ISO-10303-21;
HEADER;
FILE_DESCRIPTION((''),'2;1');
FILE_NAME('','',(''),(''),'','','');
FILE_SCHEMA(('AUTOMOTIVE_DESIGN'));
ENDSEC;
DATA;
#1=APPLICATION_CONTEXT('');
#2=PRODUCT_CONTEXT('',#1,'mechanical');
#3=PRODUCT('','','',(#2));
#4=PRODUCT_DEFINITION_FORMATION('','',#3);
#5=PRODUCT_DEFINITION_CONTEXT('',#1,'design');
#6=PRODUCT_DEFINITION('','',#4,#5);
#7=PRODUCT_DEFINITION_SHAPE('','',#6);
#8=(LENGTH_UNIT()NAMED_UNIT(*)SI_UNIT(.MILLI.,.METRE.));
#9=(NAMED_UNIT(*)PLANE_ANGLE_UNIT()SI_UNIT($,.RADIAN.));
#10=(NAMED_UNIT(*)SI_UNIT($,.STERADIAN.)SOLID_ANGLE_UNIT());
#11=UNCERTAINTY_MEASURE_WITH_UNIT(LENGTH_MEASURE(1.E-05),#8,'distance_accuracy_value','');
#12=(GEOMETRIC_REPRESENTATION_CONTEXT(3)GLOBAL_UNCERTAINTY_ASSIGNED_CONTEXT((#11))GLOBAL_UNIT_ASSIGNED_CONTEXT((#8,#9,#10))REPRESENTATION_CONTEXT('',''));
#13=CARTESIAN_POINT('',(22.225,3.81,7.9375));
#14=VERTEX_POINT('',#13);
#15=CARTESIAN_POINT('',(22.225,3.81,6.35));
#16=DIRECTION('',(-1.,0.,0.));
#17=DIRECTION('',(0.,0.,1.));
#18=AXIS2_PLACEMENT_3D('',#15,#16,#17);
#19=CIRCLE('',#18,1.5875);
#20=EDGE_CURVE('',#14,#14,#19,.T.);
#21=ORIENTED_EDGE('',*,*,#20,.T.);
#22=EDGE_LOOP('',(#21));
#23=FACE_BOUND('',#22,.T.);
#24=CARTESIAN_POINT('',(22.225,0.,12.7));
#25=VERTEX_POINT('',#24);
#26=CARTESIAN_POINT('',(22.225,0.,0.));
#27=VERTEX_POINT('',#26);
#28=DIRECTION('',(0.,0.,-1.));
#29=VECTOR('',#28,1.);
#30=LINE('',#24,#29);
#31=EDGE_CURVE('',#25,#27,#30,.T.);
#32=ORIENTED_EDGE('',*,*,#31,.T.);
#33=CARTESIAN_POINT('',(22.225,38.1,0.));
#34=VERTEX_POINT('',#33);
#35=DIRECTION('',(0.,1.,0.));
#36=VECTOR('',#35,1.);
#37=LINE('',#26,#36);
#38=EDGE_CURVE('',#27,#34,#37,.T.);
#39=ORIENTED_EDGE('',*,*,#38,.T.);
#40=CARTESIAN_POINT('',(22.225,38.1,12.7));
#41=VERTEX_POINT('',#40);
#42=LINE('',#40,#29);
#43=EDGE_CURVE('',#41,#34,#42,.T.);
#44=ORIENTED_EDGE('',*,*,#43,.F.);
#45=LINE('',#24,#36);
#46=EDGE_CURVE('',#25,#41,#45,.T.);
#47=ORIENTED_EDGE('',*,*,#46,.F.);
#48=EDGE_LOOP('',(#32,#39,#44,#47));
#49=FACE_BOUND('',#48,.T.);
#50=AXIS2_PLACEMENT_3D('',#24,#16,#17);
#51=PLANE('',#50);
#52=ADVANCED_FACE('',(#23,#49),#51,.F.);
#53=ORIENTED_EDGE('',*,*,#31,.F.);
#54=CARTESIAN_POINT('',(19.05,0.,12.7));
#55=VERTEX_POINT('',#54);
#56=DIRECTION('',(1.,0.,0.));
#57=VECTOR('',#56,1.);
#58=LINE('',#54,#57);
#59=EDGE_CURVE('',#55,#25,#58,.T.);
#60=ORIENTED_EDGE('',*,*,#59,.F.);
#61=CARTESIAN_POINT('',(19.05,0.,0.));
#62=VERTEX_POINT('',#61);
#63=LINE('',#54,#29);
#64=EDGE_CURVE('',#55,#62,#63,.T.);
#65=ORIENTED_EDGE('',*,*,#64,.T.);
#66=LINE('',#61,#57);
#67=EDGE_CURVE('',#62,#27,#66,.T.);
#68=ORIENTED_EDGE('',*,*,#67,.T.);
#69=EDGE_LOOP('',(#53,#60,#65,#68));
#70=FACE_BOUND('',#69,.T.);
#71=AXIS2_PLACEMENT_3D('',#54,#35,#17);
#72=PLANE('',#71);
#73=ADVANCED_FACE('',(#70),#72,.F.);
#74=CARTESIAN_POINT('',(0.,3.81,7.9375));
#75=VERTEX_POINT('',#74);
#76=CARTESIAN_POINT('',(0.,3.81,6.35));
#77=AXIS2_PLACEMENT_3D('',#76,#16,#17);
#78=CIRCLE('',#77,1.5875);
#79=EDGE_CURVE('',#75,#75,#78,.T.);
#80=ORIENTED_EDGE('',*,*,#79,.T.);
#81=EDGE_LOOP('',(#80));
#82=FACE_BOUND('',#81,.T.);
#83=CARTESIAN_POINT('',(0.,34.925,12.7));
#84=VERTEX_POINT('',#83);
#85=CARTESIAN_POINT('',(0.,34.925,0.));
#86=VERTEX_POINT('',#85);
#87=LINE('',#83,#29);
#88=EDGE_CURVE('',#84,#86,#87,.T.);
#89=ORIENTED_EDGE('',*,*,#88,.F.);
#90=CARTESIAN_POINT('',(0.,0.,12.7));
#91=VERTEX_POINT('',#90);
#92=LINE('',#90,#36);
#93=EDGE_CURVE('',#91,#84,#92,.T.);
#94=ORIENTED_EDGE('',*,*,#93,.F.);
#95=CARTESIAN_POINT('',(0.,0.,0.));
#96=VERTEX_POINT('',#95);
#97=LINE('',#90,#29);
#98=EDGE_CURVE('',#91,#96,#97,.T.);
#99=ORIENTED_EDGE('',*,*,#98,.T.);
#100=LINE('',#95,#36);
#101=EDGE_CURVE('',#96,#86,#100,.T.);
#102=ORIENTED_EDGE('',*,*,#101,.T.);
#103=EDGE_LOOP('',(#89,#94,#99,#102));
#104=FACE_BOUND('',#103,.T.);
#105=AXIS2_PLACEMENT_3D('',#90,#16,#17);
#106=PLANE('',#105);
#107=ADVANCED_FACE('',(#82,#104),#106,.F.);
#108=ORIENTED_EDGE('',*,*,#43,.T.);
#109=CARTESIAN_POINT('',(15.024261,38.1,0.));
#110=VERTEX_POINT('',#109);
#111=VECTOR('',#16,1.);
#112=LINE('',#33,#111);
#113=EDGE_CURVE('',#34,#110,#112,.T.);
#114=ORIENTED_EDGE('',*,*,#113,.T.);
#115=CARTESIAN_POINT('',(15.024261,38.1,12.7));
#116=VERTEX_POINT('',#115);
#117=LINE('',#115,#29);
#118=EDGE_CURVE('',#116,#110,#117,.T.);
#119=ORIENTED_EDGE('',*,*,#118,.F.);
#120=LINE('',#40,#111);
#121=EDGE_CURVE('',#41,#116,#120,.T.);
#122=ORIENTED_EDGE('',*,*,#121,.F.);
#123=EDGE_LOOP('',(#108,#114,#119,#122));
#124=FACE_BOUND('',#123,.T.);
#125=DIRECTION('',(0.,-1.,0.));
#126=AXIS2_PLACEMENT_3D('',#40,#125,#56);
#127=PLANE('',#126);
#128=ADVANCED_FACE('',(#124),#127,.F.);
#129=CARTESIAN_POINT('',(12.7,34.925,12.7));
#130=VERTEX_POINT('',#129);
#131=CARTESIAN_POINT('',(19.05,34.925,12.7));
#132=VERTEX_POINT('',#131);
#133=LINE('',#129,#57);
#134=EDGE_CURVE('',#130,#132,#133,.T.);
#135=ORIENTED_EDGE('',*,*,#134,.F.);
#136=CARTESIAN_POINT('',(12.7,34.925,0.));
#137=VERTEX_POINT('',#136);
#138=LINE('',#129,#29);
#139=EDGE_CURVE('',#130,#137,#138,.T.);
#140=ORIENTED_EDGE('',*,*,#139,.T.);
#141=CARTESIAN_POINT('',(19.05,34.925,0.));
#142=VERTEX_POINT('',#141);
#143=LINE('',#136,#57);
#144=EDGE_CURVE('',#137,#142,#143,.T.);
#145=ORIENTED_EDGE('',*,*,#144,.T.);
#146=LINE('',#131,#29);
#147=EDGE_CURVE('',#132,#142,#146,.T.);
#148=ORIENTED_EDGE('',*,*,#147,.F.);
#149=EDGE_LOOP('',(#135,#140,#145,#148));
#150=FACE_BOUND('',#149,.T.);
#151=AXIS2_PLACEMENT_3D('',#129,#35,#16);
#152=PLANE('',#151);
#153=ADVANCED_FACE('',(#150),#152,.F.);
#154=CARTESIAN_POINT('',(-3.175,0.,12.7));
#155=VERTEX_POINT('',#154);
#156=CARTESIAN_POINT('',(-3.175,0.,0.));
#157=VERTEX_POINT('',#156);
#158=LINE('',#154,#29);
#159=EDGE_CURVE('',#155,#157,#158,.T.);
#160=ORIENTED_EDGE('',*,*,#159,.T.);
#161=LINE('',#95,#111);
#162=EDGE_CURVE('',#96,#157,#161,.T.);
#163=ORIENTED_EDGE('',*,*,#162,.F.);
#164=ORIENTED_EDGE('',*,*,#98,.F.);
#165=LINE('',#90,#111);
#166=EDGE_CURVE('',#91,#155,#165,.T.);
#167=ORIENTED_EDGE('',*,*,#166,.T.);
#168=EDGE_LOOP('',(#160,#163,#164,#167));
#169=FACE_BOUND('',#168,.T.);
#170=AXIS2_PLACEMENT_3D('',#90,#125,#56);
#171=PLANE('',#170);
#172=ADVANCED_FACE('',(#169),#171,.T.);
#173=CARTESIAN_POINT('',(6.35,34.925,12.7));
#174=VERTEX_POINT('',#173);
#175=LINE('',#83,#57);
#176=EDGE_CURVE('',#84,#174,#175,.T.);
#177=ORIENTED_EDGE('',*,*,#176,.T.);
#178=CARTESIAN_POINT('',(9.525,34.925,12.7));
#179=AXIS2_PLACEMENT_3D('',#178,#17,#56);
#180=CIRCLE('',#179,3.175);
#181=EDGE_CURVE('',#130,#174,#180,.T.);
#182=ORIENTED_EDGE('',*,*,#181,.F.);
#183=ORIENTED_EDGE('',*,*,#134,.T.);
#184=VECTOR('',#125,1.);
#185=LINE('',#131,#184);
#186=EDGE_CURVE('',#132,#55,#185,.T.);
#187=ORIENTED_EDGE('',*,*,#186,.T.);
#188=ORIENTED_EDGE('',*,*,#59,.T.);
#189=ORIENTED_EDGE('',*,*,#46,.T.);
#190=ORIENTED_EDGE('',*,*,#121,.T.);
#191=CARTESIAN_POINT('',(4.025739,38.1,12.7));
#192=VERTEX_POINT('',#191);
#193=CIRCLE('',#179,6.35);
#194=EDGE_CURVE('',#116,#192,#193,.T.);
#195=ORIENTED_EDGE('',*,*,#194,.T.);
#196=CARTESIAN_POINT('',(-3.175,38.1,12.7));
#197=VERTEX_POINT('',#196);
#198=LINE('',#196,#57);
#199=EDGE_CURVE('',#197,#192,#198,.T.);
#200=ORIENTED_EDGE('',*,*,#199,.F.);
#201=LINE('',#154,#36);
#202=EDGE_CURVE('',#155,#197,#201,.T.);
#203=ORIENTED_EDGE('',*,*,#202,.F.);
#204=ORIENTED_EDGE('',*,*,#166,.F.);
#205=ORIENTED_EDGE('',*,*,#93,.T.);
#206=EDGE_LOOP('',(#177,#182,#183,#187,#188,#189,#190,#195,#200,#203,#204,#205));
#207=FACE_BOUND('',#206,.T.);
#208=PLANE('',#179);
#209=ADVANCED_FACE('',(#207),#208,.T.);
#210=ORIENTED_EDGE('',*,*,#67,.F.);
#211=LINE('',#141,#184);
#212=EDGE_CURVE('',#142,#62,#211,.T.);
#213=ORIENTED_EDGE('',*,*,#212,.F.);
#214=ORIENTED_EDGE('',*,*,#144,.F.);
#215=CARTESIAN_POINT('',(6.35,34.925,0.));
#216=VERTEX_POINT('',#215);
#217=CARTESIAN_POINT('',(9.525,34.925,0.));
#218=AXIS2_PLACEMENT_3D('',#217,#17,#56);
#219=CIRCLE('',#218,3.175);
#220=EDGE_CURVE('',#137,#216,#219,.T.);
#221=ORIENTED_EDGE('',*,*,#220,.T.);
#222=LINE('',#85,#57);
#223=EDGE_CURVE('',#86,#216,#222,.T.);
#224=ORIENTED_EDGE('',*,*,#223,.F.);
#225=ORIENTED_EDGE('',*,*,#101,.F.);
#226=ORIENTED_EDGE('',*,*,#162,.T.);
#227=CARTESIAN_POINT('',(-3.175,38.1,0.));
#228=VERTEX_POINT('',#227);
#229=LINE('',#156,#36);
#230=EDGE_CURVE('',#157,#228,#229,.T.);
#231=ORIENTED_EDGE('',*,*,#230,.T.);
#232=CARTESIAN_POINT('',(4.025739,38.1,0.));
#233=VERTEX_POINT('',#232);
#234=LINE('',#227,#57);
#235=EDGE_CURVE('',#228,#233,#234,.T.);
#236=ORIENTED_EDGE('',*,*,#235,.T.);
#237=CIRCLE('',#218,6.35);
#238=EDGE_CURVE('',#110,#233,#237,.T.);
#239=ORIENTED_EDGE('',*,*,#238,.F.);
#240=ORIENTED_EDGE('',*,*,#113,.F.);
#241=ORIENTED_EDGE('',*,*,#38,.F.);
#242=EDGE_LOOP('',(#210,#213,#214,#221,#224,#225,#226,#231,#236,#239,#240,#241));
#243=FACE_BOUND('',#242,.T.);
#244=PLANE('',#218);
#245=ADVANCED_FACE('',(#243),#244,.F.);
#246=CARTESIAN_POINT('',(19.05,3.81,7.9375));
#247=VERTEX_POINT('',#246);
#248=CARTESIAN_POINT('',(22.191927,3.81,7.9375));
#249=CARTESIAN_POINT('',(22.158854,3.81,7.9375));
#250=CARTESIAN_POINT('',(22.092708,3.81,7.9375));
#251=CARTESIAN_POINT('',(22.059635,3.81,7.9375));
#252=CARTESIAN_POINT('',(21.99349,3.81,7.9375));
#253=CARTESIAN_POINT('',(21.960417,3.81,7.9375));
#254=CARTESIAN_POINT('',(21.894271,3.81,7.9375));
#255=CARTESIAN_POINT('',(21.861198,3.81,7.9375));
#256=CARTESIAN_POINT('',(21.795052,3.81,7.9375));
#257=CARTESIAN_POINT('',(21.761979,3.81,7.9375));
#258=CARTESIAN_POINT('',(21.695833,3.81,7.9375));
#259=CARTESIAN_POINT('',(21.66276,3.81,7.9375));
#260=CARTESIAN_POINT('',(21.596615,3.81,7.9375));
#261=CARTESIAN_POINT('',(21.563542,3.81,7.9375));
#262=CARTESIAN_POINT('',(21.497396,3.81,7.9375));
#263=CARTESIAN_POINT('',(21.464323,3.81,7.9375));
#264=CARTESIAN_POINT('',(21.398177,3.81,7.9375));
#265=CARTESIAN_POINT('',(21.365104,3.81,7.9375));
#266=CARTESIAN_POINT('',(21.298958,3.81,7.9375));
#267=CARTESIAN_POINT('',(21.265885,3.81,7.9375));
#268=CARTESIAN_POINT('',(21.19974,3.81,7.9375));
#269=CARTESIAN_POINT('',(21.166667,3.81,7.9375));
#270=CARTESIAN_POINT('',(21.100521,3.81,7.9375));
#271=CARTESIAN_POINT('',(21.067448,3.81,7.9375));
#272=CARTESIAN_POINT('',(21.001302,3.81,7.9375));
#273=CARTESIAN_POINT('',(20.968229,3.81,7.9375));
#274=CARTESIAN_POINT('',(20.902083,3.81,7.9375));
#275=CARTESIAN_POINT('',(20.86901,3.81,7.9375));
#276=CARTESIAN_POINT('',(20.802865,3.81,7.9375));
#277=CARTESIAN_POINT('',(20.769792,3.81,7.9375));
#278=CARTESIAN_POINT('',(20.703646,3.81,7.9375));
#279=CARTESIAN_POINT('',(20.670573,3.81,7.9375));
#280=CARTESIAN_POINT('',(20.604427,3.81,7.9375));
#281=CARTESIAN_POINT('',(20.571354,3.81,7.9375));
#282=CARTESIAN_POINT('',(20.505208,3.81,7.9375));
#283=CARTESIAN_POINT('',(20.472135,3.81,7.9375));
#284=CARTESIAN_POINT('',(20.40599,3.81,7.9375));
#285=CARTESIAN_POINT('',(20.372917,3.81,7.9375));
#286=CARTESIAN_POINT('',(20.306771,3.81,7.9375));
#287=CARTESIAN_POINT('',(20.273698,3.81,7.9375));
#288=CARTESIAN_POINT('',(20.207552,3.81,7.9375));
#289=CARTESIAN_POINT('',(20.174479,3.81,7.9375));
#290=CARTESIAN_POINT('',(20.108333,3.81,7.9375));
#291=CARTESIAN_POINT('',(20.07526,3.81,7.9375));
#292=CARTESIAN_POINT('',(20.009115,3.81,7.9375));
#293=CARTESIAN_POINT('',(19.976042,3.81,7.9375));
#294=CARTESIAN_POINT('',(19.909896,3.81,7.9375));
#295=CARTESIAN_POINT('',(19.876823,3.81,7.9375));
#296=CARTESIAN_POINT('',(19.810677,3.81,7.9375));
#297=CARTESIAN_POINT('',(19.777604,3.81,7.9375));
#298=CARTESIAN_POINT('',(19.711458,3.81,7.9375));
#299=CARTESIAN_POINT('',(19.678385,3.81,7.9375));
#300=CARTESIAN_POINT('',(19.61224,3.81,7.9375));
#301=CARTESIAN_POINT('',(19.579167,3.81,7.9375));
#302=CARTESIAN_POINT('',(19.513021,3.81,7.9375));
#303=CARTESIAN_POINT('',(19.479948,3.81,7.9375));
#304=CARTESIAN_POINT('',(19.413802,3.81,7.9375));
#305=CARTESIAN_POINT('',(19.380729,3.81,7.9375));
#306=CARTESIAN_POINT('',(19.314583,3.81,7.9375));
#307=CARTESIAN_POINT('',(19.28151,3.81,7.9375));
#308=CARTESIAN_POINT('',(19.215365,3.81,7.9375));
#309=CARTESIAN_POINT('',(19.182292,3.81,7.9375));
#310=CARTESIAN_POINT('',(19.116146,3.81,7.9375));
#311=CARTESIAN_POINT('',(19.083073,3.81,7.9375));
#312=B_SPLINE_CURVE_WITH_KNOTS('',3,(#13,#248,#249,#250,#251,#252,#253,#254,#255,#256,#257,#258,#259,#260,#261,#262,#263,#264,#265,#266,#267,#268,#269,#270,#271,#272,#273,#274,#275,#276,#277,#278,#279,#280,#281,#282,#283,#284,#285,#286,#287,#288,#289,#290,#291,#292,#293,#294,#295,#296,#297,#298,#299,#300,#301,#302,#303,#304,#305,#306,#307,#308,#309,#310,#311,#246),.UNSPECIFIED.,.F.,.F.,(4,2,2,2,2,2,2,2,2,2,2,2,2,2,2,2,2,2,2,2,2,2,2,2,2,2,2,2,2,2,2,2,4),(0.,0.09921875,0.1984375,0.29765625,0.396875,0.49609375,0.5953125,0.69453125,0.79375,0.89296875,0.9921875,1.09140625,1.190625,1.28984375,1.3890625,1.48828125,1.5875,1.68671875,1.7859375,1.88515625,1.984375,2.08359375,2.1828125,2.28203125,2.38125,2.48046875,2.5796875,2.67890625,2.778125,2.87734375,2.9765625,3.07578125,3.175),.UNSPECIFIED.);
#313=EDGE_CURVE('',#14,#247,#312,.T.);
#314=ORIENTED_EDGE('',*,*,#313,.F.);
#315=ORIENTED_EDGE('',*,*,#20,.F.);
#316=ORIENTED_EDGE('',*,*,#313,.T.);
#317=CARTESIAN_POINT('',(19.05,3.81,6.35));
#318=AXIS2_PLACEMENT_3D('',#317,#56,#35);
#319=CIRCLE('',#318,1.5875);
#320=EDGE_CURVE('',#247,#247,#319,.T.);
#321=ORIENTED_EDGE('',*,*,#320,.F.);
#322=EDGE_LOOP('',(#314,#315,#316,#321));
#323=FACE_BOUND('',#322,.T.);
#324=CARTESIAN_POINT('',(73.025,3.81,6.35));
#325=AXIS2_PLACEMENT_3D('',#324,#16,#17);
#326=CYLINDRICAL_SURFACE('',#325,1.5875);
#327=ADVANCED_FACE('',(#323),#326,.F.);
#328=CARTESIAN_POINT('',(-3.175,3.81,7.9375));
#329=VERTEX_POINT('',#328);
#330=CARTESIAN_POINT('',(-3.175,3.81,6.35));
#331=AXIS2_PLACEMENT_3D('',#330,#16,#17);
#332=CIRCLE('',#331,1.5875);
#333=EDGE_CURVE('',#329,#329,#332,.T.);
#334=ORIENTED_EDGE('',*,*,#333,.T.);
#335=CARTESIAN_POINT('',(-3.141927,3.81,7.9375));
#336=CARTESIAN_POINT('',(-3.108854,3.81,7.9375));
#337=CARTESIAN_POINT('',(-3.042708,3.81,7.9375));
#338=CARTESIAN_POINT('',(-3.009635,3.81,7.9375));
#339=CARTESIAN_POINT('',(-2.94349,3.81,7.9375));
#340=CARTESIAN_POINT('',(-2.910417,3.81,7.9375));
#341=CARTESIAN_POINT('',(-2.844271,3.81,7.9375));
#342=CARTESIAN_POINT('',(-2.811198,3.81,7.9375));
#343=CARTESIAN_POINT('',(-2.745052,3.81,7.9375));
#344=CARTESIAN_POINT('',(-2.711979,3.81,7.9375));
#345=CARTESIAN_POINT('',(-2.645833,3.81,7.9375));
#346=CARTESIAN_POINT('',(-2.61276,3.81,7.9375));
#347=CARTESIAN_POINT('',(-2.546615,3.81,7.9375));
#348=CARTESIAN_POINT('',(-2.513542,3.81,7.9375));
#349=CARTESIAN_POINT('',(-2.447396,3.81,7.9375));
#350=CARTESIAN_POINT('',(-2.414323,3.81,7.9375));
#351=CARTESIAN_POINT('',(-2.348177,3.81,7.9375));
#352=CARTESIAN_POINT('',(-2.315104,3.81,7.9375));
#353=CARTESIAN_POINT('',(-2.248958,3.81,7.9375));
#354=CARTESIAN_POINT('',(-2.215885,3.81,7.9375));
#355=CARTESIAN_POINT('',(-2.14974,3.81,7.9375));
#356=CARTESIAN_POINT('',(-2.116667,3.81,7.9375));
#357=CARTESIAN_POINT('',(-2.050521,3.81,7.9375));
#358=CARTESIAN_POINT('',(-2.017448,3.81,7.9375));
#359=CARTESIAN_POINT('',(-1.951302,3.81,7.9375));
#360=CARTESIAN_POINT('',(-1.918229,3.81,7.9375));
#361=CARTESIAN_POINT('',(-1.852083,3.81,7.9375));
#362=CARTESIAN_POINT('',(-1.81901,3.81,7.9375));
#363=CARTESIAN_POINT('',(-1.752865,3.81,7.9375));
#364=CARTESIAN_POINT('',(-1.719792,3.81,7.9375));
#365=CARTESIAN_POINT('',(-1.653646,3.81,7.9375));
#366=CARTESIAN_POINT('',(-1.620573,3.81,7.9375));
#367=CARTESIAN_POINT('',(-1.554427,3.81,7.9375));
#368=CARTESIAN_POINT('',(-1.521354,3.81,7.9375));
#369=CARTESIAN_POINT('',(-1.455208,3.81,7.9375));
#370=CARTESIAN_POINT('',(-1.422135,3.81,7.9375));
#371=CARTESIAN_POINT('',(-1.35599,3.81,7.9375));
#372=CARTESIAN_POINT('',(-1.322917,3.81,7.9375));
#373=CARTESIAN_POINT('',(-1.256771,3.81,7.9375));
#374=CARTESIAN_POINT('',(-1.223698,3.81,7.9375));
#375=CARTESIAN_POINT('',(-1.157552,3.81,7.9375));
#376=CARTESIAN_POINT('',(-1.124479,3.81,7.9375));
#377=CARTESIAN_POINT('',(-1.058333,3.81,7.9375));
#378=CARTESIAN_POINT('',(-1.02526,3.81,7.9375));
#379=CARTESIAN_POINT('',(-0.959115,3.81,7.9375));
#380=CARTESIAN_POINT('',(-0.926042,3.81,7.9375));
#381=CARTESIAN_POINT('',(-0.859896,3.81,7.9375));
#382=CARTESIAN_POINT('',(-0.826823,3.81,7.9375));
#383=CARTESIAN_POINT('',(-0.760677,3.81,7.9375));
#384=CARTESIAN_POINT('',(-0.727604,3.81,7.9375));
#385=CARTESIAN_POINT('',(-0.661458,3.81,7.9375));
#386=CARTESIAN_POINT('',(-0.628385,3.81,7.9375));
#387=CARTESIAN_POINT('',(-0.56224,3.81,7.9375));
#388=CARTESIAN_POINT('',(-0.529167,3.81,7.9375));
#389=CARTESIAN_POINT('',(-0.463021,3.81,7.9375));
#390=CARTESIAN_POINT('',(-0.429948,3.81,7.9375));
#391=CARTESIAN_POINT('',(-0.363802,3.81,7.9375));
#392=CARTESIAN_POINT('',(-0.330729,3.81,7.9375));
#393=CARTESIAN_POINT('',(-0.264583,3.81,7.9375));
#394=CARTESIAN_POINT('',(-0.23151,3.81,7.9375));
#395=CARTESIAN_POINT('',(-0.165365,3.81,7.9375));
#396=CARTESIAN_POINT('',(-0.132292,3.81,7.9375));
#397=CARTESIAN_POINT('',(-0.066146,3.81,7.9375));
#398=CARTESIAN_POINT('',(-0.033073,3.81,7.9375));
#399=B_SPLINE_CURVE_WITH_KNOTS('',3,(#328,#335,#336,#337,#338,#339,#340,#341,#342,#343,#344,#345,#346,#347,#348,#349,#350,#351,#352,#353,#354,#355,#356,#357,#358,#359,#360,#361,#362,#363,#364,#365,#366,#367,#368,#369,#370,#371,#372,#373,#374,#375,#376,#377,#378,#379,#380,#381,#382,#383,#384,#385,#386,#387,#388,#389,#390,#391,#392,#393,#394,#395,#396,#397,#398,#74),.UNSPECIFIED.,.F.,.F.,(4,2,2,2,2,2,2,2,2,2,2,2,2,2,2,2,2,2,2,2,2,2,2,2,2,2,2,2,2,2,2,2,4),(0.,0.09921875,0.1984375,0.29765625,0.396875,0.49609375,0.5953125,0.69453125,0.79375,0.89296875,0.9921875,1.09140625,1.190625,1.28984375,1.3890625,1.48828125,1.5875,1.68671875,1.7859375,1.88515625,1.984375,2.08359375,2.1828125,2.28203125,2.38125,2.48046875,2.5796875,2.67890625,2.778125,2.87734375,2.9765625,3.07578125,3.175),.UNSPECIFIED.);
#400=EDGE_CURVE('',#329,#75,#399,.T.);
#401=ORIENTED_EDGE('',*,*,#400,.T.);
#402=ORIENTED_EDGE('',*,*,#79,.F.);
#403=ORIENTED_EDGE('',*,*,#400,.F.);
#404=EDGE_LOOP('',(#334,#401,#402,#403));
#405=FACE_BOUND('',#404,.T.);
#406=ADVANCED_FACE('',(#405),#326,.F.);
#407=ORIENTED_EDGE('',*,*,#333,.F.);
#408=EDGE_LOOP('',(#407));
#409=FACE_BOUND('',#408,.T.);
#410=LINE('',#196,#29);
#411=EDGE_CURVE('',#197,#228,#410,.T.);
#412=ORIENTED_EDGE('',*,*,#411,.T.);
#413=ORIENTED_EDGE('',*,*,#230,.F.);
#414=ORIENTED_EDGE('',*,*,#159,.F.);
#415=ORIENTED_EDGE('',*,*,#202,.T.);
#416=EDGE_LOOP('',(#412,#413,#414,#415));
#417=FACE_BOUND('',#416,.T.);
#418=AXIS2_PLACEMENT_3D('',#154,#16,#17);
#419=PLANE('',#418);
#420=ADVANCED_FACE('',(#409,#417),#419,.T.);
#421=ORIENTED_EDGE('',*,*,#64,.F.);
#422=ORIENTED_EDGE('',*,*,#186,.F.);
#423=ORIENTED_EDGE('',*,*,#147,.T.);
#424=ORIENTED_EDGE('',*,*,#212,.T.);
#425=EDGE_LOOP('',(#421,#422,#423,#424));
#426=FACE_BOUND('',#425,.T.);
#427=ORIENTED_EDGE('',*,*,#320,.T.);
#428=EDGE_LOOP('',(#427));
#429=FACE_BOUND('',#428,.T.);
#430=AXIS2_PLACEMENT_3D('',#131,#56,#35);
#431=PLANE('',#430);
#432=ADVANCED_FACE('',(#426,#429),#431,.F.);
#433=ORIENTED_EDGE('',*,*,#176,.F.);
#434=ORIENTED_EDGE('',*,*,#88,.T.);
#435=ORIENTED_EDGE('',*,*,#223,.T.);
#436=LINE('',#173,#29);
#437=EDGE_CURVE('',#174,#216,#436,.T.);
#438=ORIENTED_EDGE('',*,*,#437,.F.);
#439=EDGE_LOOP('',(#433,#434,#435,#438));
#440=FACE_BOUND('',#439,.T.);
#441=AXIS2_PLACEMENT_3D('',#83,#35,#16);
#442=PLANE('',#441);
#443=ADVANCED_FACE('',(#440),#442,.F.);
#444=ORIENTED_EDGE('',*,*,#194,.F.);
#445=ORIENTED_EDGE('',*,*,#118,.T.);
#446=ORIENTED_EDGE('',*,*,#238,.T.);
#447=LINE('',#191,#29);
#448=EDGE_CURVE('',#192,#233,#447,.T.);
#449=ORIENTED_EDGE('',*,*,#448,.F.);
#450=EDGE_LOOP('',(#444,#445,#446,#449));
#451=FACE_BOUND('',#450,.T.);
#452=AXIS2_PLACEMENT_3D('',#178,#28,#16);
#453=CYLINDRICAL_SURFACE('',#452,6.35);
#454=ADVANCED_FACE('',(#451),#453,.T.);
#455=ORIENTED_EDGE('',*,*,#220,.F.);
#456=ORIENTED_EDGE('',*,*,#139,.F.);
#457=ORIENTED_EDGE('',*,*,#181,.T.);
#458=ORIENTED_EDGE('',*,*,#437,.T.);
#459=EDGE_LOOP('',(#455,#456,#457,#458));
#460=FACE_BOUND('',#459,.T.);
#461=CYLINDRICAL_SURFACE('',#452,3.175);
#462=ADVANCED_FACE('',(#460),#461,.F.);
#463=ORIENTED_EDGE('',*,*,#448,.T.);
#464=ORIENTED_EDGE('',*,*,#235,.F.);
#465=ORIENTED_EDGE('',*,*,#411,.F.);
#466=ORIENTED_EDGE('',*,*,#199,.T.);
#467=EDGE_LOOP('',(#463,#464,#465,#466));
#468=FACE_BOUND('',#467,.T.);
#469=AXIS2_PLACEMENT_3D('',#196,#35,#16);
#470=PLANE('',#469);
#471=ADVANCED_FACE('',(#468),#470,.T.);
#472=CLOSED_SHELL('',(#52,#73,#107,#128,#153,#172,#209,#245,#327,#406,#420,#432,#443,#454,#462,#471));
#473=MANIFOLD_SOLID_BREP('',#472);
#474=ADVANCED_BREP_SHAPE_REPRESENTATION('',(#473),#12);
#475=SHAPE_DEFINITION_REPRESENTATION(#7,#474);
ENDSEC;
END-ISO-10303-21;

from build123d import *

# Parameters (mm, degrees)
BOSS_EXTRUDE1_DEPTH = 12.7
SKETCH2_R           = 1.5875
CUT_EXTRUDE1_DEPTH  = 76.2


with BuildPart() as part:
    # Sketch1 → Boss-Extrude1 (new body)
    with BuildSketch(Plane.XY):
        with BuildLine():
            Line((0, 0), (0, 34.925))
            Line((0, 34.925), (6.35, 34.925))
            ThreePointArc((6.35, 34.925), (9.525, 38.1), (12.7, 34.925))
            Line((12.7, 34.925), (19.05, 34.925))
            Line((19.05, 34.925), (19.05, 0))
            Line((19.05, 0), (22.225, 0))
            Line((22.225, 0), (22.225, 38.1))
            Line((22.225, 38.1), (15.024261314, 38.1))
            ThreePointArc((15.024261314, 38.1), (9.525, 41.275), (4.025738686, 38.1))
            Line((4.025738686, 38.1), (-3.175, 38.1))
            Line((-3.175, 38.1), (-3.175, 0))
            Line((-3.175, 0), (0, 0))
        make_face()
    extrude(amount=BOSS_EXTRUDE1_DEPTH)

    # Sketch2 → Cut-Extrude1 (cut)
    with BuildSketch(Plane.ZY.offset(3.175)):
        with Locations((6.35, 3.81)):
            Circle(SKETCH2_R)
    extrude(amount=-CUT_EXTRUDE1_DEPTH, mode=Mode.SUBTRACT)


solid = part.part
